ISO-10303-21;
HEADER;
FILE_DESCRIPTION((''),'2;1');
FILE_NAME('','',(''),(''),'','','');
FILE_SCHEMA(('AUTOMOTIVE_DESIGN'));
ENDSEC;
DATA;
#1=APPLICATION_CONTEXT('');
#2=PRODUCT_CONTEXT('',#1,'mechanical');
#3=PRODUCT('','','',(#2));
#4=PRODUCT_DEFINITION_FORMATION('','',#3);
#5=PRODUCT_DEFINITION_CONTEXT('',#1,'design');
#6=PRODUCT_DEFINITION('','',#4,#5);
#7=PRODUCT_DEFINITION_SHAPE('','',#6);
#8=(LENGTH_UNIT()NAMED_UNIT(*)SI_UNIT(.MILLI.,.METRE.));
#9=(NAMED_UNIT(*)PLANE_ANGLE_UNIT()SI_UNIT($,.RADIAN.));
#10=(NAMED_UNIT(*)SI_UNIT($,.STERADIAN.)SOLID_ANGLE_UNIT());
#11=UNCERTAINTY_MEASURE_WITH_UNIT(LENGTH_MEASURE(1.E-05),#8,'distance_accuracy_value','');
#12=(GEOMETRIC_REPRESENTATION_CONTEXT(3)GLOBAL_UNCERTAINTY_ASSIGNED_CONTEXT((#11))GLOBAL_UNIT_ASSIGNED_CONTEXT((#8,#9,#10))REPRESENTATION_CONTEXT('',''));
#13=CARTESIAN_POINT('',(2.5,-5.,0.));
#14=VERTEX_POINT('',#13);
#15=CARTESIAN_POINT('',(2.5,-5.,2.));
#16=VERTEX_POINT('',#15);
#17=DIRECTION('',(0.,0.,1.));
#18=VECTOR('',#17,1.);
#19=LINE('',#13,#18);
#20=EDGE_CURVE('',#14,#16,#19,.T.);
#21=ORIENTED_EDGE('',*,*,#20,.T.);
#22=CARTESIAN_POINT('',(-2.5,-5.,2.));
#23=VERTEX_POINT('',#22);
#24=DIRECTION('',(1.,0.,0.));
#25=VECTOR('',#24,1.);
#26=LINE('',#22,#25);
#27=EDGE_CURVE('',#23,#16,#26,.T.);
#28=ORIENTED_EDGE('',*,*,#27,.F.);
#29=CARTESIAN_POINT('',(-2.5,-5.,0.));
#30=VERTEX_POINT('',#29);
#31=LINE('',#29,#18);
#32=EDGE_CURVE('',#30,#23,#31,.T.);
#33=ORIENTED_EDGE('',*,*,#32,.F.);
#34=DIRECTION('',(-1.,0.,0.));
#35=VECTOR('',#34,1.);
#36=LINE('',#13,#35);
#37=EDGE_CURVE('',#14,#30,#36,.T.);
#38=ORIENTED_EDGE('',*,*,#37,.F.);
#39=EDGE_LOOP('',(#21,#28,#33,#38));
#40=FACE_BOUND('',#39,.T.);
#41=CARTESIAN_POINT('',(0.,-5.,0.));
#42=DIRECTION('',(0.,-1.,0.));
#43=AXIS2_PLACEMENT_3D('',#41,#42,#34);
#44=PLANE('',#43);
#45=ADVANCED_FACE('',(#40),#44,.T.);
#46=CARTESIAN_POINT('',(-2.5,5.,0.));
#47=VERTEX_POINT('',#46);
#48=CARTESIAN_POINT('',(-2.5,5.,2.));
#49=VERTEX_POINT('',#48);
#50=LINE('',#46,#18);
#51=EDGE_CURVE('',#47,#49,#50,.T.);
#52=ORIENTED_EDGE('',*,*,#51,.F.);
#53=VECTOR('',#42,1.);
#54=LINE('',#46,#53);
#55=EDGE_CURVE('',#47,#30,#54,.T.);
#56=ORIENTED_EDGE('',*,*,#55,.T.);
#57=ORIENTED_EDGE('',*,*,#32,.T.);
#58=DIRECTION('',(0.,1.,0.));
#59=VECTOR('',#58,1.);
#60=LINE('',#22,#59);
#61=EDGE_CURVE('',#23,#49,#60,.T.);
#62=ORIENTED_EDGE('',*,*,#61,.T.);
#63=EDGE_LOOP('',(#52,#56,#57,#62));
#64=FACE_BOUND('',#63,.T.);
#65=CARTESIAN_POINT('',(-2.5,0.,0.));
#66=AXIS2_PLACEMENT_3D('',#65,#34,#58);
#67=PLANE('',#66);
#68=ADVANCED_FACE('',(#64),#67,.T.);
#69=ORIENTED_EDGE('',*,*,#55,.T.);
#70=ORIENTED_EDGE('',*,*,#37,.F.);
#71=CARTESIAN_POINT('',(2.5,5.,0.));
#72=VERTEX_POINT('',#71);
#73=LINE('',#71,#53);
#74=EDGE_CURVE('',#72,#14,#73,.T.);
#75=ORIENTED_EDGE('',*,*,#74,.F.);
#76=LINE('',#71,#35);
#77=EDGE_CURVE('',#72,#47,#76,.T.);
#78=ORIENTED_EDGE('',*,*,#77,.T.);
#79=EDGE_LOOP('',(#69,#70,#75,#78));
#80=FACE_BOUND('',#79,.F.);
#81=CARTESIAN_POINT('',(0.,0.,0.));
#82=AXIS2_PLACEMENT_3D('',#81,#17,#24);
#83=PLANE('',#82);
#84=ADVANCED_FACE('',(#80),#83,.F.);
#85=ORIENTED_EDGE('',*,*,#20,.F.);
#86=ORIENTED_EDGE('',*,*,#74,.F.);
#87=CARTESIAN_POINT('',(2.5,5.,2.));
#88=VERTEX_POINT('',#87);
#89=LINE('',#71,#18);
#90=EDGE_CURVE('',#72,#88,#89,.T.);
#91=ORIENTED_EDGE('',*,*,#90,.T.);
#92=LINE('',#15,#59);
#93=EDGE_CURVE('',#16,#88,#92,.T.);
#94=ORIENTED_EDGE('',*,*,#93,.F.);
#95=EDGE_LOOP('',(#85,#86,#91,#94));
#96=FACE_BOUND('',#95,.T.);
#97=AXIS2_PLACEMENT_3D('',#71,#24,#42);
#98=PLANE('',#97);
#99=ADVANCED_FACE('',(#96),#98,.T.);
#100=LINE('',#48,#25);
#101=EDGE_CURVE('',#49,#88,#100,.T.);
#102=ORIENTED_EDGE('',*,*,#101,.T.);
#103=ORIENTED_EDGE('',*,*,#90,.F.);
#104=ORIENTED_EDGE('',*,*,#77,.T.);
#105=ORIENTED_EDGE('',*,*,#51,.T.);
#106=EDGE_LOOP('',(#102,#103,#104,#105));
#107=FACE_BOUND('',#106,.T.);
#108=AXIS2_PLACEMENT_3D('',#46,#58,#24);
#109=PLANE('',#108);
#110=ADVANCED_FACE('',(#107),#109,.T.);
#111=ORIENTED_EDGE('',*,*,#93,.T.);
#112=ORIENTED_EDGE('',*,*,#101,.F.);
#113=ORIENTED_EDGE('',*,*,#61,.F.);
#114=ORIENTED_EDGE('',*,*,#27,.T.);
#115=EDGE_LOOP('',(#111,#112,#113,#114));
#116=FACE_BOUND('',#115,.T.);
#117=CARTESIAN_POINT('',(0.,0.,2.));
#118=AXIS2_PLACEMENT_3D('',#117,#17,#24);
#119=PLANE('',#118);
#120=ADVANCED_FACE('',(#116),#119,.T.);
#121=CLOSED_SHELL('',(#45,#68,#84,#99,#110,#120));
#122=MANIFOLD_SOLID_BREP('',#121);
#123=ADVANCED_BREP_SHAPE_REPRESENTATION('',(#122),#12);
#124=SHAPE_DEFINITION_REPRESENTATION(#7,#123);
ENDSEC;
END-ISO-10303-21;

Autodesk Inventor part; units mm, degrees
ref_plane "YZ Plane" through (0, 0, 0) normal (1, 0, 0) x (0, 1, 0)
ref_plane "XZ Plane" through (0, 0, 0) normal (0, 1, 0) x (-1, 0, 0)
ref_plane "XY Plane" through (0, 0, 0) normal (0, 0, 1) x (1, 0, 0)
sketch "Skizze1" plane through (0, 0, 0) normal (0, 0, 1) x (1, 0, 0)
  line L0 (-2.5, 5) -> (2.5, 5)
  line L1 (2.5, 5) -> (2.5, -5)
  line L2 (2.5, -5) -> (-2.5, -5)
  line L3 (-2.5, -5) -> (-2.5, 5)
  line L4 (-3.5, 0) -> (3.5, 0) projected
  line L5 (0, 7) -> (0, -7) projected
  point P0 (0, 0)
  dimension "d0" = 5
  dimension "d1" = 10
extrude "Extrusion1" add sketch "Skizze1" along normal blind 2
properties part number "Gelpad 10x5" material "Gummi, Silikon"
